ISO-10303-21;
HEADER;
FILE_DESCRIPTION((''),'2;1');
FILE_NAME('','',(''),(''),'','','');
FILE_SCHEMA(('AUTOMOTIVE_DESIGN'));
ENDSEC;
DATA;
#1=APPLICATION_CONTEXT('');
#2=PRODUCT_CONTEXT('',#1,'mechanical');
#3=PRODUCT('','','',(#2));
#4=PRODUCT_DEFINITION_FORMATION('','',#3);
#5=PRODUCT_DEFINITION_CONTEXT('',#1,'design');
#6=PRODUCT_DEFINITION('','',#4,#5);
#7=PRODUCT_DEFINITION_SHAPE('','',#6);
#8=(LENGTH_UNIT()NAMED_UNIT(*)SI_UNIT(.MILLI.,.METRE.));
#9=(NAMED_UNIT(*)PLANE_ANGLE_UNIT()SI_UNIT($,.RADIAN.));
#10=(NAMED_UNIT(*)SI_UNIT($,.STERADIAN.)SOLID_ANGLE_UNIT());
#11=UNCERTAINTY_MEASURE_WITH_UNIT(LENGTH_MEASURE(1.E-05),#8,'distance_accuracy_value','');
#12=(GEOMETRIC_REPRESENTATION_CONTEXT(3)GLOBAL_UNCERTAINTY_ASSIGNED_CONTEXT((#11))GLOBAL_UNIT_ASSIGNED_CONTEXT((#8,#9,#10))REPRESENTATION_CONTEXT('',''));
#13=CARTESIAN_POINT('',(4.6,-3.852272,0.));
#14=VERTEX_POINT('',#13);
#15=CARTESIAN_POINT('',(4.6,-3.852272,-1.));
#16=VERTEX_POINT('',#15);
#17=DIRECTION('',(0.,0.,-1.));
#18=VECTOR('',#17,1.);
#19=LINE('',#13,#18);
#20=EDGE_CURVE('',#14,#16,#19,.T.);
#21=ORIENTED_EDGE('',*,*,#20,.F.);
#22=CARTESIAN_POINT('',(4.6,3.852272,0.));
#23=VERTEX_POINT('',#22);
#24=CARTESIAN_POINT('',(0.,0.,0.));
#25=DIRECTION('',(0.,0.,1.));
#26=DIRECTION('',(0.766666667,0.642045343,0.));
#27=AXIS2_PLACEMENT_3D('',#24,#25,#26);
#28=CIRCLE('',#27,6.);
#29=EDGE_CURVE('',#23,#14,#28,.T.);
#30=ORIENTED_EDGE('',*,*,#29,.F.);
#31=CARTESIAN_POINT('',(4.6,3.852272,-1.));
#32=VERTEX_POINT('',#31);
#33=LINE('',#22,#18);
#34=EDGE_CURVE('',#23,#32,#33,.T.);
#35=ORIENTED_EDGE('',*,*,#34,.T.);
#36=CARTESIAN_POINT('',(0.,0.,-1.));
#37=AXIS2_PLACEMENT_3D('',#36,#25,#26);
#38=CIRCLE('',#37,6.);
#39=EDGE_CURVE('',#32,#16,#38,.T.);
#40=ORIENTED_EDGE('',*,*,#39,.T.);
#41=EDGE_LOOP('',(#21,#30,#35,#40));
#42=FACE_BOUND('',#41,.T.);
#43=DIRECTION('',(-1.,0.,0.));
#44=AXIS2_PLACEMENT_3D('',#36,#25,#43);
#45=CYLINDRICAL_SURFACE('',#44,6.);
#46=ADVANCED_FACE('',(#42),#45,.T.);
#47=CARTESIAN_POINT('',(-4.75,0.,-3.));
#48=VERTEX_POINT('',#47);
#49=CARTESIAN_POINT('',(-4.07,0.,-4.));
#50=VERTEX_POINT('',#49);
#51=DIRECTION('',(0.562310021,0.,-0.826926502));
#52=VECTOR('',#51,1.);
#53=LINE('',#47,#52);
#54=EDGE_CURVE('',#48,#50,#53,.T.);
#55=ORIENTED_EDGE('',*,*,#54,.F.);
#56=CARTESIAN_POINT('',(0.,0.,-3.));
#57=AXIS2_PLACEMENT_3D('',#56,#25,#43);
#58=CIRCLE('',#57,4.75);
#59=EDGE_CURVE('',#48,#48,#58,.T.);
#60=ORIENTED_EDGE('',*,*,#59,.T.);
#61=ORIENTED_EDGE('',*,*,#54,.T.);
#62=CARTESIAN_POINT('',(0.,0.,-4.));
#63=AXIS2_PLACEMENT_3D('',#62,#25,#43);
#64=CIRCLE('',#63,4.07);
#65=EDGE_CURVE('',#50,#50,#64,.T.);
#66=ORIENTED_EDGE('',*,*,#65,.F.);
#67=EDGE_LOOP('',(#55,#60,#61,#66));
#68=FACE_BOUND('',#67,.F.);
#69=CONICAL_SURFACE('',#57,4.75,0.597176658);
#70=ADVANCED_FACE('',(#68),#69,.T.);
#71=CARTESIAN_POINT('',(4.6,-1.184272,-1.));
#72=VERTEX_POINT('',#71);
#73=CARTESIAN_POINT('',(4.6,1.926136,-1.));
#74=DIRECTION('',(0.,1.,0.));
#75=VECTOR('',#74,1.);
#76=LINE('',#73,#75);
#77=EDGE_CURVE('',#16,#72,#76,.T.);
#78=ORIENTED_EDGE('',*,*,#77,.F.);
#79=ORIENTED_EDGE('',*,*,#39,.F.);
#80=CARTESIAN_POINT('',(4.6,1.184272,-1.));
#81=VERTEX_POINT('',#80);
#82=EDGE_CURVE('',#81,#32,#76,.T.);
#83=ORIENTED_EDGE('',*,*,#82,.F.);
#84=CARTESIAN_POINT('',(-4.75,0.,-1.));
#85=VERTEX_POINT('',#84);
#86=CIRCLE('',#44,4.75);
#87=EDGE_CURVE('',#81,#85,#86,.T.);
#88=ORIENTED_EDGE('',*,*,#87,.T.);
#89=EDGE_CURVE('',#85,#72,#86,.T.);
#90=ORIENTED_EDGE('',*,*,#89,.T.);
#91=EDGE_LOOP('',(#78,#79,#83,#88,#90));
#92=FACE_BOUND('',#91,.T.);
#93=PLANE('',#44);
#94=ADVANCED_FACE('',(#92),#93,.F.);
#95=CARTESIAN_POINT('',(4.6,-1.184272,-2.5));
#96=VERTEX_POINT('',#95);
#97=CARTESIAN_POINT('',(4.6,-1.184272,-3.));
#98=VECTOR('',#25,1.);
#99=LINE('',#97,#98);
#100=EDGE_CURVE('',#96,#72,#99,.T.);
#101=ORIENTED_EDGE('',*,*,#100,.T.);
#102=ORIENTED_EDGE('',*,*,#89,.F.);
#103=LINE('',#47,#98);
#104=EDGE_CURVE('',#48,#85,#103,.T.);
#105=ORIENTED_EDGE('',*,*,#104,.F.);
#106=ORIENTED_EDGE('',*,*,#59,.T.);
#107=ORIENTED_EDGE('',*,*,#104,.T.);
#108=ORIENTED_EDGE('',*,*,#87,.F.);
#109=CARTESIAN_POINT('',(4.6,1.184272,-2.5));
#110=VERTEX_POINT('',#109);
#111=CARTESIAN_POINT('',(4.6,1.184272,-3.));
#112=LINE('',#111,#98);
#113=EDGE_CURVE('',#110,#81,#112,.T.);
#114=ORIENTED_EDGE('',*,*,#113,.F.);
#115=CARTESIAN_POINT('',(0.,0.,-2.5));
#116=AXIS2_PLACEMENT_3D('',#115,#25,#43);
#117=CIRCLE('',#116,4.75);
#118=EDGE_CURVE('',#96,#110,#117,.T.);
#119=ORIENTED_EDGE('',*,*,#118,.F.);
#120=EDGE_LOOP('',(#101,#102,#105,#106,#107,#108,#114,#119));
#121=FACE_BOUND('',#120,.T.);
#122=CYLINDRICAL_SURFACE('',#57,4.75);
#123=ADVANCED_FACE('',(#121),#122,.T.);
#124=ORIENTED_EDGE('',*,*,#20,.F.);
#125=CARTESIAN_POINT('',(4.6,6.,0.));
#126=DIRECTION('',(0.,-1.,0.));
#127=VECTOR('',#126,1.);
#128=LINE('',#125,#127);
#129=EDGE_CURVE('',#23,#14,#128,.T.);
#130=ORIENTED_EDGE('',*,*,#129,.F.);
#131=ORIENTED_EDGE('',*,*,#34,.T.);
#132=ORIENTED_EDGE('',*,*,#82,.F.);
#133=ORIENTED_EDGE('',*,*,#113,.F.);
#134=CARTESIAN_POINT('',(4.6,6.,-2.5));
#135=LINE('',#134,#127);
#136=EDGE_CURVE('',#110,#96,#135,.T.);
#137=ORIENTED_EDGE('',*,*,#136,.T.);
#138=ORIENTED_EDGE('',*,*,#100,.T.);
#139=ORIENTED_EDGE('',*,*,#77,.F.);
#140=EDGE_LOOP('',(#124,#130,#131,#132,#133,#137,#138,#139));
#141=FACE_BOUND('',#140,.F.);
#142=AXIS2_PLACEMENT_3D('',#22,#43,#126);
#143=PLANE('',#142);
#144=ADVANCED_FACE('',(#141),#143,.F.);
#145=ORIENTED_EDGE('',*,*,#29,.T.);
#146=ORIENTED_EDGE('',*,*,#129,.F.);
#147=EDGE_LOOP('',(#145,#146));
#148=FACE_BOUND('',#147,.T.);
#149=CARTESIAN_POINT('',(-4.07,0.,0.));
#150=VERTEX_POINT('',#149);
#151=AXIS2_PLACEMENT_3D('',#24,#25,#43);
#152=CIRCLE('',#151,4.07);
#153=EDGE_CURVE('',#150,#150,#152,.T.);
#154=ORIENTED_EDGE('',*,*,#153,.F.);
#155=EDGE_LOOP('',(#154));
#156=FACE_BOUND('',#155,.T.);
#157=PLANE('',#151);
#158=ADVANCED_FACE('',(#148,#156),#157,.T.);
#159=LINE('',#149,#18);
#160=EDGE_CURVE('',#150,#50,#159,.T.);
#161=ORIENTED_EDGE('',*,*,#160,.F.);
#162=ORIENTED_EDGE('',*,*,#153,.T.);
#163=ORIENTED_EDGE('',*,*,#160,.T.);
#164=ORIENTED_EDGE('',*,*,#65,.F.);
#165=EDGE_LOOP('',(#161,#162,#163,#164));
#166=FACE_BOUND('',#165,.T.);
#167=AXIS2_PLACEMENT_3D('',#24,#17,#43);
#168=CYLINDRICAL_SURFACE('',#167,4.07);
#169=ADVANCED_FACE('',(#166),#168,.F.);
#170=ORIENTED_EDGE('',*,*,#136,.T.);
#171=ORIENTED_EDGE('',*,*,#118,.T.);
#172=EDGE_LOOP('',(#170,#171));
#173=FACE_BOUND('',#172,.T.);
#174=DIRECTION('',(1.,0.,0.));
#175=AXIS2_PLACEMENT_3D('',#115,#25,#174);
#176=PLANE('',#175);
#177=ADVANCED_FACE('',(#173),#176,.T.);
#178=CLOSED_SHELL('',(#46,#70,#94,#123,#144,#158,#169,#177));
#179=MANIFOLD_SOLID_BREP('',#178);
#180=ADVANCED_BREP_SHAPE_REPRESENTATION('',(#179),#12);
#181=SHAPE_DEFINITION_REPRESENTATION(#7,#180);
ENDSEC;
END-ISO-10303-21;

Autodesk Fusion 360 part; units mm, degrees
sketch "スケッチ1" plane through (0, 0, 0) normal (0, 1, 0) x (1, 0, 0)
  line L0 (0, 0) -> (-4.07, 0)
  line L1 (-4.07, 0) -> (-4.07, 1)
  line L2 (-4.07, 1) -> (0, 1)
  line L3 (0, 1) -> (0, 0)
  line L4 (-4.07, 1) -> (-6, 1)
  line L5 (-6, 1) -> (-6, 0)
  line L6 (-6, 0) -> (-4.07, 0)
  line L7 (-4.07, 0) -> (-4.07, 1)
  line L8 (-4.07, 1) -> (-4.07, 3)
  line L9 (-4.07, 3) -> (-4.75, 1)
  line L10 (-4.75, 1) -> (-4.07, 1)
  line L11 (-4.07, 1) -> (-4.07, 3)
  line L12 (-4.07, 3) -> (-4.75, 3)
  line L13 (-4.75, 3) -> (-4.75, 1)
  line L14 (-4.75, 3) -> (-4.07, 4)
  line L15 (-4.07, 4) -> (-4.07, 3)
  dimension "d2" = 1
  dimension "d3" = 4.07
  dimension "d5" = 6
  dimension "d6" = 2
  dimension "d12" = 1
  dimension "d13" = 0.68
  dimension "d14" = 1.4
  dimension "d15" = 4.75
revolve "回転1" add sketch "スケッチ1" angle 360 about axis through (0, 0, -1) along (0, 0, 1) contours L1 L4 L5 L6 L7 L10 | L4 L8 L9 L10 L11 | L9 L12 L13 | L12 L14 L15
sketch "スケッチ2" plane through (0, 0, 0) normal (0, 0, 1) x (1, 0, 0)
  line L0 (6, 6) -> (4.6, 6)
  line L1 (4.6, 6) -> (4.6, -6)
  line L2 (4.6, -6) -> (6, -6)
  line L3 (6, -6) -> (6, 6)
  circle A0 centre (0, 0) radius 6
  dimension "d11" = 1.4
extrude "押し出し1" cut sketch "スケッチ2" against normal blind 2.5 contours L1 A0 picked at (4.7636, 1.0585)
